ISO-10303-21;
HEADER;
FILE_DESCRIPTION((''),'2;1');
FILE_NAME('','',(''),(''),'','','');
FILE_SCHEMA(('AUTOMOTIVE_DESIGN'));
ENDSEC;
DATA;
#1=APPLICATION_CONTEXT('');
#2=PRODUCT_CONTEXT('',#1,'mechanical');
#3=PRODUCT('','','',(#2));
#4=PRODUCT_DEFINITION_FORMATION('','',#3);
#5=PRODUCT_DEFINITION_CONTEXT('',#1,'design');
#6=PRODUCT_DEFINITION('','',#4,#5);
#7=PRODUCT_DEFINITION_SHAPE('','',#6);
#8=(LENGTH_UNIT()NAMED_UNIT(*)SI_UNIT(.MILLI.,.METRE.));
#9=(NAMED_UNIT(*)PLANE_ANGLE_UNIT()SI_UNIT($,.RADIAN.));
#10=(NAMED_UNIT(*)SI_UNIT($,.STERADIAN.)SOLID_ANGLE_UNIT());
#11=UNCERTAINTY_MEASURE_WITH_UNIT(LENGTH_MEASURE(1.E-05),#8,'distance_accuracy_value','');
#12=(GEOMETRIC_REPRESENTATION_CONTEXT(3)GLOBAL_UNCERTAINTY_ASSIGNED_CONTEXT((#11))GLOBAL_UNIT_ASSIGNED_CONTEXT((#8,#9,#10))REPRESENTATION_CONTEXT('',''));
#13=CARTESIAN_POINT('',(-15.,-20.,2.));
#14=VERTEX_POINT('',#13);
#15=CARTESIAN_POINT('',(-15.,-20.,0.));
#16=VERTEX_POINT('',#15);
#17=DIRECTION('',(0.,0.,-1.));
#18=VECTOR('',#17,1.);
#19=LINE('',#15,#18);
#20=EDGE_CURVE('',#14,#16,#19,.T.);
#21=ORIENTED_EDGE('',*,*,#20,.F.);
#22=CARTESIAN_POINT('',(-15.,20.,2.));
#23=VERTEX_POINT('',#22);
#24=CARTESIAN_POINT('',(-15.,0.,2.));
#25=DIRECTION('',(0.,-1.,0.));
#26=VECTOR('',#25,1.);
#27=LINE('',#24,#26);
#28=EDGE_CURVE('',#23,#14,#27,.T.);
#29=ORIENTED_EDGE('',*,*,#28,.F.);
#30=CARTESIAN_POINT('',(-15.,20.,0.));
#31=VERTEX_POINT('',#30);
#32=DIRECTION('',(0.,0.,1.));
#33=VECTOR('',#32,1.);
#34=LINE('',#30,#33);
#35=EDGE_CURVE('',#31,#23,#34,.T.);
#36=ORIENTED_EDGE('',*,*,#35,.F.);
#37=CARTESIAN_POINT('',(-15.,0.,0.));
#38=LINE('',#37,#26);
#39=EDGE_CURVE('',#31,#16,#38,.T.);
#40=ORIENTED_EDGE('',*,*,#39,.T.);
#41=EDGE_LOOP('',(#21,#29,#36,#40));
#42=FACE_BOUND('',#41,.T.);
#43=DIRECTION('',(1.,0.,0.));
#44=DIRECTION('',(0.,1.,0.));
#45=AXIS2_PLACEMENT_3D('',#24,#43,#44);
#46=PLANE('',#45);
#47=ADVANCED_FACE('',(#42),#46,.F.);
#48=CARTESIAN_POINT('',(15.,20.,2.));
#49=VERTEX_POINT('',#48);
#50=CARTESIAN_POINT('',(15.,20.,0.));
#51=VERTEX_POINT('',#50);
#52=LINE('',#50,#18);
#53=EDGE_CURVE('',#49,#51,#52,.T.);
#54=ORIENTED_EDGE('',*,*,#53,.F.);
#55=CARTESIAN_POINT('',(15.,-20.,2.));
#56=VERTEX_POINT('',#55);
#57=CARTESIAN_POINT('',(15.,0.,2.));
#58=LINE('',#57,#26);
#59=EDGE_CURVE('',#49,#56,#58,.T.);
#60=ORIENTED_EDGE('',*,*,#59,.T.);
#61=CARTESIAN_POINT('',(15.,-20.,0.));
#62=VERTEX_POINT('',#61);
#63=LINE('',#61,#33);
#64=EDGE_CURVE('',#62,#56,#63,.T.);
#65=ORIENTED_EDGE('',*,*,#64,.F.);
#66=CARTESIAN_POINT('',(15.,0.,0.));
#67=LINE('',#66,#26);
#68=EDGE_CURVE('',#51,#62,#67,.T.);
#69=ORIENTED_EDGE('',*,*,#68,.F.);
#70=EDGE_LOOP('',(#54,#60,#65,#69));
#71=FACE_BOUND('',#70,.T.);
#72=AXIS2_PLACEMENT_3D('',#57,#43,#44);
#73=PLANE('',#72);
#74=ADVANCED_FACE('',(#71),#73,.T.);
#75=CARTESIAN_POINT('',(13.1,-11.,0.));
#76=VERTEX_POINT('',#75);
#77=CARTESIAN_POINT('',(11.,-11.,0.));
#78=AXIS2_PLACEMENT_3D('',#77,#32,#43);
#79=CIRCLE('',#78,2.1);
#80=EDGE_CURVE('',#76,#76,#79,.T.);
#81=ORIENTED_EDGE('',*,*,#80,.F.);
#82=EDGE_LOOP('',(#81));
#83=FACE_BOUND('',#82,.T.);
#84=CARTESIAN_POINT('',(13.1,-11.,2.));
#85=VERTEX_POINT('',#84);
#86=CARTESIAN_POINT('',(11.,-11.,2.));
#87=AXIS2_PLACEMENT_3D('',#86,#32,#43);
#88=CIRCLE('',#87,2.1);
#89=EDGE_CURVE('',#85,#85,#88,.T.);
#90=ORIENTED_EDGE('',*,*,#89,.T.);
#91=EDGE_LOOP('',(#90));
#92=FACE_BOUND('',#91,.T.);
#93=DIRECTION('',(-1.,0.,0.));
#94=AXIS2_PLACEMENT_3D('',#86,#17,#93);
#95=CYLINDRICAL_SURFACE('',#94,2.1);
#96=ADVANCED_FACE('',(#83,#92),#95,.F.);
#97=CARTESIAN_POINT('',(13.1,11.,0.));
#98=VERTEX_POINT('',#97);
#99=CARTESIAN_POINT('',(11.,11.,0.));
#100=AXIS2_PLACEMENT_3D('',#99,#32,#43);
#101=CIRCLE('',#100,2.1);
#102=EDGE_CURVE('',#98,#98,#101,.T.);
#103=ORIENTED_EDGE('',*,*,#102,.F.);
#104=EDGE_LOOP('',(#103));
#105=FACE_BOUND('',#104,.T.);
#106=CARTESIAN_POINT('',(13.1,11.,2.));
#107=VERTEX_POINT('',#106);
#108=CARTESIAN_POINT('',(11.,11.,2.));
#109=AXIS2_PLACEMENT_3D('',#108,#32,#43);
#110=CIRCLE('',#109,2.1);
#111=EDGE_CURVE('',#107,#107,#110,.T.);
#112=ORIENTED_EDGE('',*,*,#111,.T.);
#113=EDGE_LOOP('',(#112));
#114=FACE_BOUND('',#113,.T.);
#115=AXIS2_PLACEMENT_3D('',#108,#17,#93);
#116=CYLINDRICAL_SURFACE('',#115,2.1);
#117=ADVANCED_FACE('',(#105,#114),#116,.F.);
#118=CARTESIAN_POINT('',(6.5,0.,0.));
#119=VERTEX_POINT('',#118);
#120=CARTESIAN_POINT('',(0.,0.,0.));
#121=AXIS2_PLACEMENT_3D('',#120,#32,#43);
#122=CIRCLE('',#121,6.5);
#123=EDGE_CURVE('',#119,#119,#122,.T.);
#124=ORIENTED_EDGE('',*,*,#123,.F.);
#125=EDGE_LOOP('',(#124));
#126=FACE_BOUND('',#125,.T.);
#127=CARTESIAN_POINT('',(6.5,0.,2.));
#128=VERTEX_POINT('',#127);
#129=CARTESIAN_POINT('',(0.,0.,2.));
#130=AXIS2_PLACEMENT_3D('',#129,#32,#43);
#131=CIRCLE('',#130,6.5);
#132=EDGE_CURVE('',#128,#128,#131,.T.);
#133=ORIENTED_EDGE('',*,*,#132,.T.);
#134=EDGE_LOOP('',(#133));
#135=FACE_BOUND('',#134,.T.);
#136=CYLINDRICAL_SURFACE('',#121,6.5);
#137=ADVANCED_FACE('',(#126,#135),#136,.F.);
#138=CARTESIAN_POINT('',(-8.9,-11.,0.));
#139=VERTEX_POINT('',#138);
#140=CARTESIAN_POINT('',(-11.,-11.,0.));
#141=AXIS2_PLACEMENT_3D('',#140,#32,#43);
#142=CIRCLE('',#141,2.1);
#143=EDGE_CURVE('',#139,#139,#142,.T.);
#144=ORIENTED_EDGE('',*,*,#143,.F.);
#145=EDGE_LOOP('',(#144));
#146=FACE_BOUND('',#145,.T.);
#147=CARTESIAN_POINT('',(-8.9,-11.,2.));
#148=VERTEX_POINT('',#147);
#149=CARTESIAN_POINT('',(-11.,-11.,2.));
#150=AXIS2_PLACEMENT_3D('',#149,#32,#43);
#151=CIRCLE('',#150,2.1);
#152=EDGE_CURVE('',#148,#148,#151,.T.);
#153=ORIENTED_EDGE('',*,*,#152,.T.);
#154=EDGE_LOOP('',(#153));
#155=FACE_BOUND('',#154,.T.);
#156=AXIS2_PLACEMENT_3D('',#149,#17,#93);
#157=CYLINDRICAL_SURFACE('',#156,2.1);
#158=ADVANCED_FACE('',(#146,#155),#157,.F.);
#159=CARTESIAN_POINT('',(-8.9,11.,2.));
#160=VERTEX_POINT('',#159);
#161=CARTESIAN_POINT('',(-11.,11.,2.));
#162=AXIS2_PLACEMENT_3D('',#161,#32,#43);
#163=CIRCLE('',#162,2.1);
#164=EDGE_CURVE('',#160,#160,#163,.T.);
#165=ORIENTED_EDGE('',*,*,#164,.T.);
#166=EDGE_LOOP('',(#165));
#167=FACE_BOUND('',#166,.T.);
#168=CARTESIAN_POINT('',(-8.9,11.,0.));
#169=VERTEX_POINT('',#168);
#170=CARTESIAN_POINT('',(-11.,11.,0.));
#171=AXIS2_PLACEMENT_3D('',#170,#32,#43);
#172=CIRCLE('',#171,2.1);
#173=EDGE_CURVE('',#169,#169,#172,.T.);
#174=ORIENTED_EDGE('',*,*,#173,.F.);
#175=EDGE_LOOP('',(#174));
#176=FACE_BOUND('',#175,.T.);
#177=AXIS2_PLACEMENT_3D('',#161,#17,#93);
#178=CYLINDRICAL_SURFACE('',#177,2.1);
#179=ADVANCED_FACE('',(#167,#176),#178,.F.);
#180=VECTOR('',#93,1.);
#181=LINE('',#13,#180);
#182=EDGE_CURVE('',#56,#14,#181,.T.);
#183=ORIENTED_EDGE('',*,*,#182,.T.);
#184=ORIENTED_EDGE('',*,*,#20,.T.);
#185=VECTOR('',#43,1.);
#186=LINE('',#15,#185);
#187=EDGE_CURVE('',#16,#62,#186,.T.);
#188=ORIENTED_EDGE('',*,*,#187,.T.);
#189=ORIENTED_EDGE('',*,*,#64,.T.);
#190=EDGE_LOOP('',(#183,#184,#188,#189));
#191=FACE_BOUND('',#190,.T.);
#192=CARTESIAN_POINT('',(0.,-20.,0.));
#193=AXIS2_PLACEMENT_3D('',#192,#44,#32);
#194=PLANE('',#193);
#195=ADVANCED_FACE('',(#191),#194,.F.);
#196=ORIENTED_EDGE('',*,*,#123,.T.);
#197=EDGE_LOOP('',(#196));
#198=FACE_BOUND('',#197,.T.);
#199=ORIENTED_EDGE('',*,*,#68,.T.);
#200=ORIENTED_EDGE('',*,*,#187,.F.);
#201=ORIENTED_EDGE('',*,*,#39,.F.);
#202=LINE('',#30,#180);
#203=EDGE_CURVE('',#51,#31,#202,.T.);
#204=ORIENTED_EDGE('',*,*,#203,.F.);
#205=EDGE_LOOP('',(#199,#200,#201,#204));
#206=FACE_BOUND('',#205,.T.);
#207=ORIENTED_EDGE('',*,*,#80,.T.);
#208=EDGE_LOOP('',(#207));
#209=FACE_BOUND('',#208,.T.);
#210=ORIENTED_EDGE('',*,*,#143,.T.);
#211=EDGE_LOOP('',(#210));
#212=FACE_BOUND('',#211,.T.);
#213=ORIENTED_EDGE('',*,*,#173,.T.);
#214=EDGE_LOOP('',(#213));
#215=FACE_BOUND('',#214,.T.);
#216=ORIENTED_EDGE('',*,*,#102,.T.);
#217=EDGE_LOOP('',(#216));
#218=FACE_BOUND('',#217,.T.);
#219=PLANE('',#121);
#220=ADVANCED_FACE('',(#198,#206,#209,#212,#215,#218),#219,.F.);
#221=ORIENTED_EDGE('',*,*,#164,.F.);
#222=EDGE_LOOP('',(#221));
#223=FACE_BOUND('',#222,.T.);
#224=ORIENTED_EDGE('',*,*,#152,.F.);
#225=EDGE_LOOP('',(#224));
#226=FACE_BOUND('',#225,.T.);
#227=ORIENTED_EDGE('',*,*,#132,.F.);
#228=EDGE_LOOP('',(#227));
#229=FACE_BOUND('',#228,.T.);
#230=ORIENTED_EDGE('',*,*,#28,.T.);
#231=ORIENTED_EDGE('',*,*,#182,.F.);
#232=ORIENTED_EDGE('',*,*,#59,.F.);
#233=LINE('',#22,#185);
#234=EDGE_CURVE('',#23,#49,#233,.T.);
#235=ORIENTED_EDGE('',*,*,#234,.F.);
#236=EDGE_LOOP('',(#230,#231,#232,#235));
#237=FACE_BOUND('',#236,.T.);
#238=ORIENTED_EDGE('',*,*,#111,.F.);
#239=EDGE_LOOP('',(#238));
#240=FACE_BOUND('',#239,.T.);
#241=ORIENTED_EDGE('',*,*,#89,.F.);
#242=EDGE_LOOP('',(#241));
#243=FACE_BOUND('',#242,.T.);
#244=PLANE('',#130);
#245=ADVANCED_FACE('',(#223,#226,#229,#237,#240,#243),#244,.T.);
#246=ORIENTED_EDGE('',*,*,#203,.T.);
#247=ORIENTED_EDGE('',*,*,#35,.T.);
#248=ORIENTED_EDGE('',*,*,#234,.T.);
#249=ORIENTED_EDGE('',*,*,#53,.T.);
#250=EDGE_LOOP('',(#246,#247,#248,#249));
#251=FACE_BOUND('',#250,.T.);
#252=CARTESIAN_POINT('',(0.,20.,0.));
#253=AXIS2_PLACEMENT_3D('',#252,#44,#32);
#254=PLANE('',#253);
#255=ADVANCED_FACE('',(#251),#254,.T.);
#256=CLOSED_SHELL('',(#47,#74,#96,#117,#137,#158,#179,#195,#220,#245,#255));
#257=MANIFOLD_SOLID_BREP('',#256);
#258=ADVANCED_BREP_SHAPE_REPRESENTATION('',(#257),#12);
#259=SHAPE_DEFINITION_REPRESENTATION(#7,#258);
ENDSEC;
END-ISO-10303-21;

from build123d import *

# Parameters (mm, degrees)
EXTRUDE_1_DEPTH     = 2
SKETCH_2_R          = 6.5
CUT_EXTRUDE_1_DEPTH = 2
SKETCH_5_W          = 30
SKETCH_5_H          = 2
EXTRUDE_4_DEPTH     = 5
SKETCH_6_W          = 30
SKETCH_6_H          = 2
EXTRUDE_5_DEPTH     = 5


with BuildPart() as part:
    # ｽｹｯﾁ1 → ﾎﾞｽ - 押し出し1 (new body)
    with BuildSketch(Plane.XY):
        with BuildLine():
            Line((11, 15), (-11, 15))
            Line((-11, 15), (-11, 13.1))
            ThreePointArc((-11, 13.1), (-9.51507576, 12.48492424), (-8.9, 11))
            ThreePointArc((-8.9, 11), (-11, 8.9), (-13.1, 11))
            Line((-13.1, 11), (-15, 11))
            Line((-15, 11), (-15, -11))
            Line((-15, -11), (-13.1, -11))
            ThreePointArc((-13.1, -11), (-11, -8.9), (-8.9, -11))
            ThreePointArc((-8.9, -11), (-9.51507576, -12.48492424), (-11, -13.1))
            Line((-11, -13.1), (-11, -15))
            Line((-11, -15), (11, -15))
            Line((11, -15), (11, -13.1))
            ThreePointArc((11, -13.1), (9.51507576, -9.51507576), (13.1, -11))
            Line((13.1, -11), (15, -11))
            Line((15, -11), (15, 11))
            Line((15, 11), (13.1, 11))
            ThreePointArc((13.1, 11), (9.51507576, 9.51507576), (11, 13.1))
            Line((11, 13.1), (11, 15))
        make_face()
        with BuildLine():
            Line((15, -15), (15, -11))
            Line((15, -11), (13.1, -11))
            ThreePointArc((13.1, -11), (12.48492424, -12.48492424), (11, -13.1))
            Line((11, -13.1), (11, -15))
            Line((11, -15), (15, -15))
        make_face()
        with BuildLine():
            Line((-13.1, -11), (-15, -11))
            Line((-15, -11), (-15, -15))
            Line((-15, -15), (-11, -15))
            Line((-11, -15), (-11, -13.1))
            ThreePointArc((-11, -13.1), (-12.48492424, -12.48492424), (-13.1, -11))
        make_face()
        with BuildLine():
            Line((-11, 15), (-15, 15))
            Line((-15, 15), (-15, 11))
            Line((-15, 11), (-13.1, 11))
            ThreePointArc((-13.1, 11), (-12.48492424, 12.48492424), (-11, 13.1))
            Line((-11, 13.1), (-11, 15))
        make_face()
        with BuildLine():
            Line((15, 15), (11, 15))
            Line((11, 15), (11, 13.1))
            ThreePointArc((11, 13.1), (12.48492424, 12.48492424), (13.1, 11))
            Line((13.1, 11), (15, 11))
            Line((15, 11), (15, 15))
        make_face()
    extrude(amount=EXTRUDE_1_DEPTH)

    # ｽｹｯﾁ2 → ｶｯﾄ - 押し出し1 (cut)
    with BuildSketch(Plane.XY.offset(2)):
        Circle(SKETCH_2_R)
    extrude(amount=-CUT_EXTRUDE_1_DEPTH, mode=Mode.SUBTRACT)

    # ｽｹｯﾁ5 → ﾎﾞｽ - 押し出し4 (add)
    with BuildSketch(Plane(origin=(0, 15, 0), x_dir=(1, 0, 0), z_dir=(0, 1, 0))):
        with Locations((0, -1)):
            Rectangle(SKETCH_5_W, SKETCH_5_H)
    extrude(amount=EXTRUDE_4_DEPTH)

    # ｽｹｯﾁ6 → ﾎﾞｽ - 押し出し5 (add)
    with BuildSketch(Plane(origin=(0, -15, 0), x_dir=(-1, 0, 0), z_dir=(0, -1, 0))):
        with Locations((0, -1)):
            Rectangle(SKETCH_6_W, SKETCH_6_H)
    extrude(amount=EXTRUDE_5_DEPTH)


solid = part.part
